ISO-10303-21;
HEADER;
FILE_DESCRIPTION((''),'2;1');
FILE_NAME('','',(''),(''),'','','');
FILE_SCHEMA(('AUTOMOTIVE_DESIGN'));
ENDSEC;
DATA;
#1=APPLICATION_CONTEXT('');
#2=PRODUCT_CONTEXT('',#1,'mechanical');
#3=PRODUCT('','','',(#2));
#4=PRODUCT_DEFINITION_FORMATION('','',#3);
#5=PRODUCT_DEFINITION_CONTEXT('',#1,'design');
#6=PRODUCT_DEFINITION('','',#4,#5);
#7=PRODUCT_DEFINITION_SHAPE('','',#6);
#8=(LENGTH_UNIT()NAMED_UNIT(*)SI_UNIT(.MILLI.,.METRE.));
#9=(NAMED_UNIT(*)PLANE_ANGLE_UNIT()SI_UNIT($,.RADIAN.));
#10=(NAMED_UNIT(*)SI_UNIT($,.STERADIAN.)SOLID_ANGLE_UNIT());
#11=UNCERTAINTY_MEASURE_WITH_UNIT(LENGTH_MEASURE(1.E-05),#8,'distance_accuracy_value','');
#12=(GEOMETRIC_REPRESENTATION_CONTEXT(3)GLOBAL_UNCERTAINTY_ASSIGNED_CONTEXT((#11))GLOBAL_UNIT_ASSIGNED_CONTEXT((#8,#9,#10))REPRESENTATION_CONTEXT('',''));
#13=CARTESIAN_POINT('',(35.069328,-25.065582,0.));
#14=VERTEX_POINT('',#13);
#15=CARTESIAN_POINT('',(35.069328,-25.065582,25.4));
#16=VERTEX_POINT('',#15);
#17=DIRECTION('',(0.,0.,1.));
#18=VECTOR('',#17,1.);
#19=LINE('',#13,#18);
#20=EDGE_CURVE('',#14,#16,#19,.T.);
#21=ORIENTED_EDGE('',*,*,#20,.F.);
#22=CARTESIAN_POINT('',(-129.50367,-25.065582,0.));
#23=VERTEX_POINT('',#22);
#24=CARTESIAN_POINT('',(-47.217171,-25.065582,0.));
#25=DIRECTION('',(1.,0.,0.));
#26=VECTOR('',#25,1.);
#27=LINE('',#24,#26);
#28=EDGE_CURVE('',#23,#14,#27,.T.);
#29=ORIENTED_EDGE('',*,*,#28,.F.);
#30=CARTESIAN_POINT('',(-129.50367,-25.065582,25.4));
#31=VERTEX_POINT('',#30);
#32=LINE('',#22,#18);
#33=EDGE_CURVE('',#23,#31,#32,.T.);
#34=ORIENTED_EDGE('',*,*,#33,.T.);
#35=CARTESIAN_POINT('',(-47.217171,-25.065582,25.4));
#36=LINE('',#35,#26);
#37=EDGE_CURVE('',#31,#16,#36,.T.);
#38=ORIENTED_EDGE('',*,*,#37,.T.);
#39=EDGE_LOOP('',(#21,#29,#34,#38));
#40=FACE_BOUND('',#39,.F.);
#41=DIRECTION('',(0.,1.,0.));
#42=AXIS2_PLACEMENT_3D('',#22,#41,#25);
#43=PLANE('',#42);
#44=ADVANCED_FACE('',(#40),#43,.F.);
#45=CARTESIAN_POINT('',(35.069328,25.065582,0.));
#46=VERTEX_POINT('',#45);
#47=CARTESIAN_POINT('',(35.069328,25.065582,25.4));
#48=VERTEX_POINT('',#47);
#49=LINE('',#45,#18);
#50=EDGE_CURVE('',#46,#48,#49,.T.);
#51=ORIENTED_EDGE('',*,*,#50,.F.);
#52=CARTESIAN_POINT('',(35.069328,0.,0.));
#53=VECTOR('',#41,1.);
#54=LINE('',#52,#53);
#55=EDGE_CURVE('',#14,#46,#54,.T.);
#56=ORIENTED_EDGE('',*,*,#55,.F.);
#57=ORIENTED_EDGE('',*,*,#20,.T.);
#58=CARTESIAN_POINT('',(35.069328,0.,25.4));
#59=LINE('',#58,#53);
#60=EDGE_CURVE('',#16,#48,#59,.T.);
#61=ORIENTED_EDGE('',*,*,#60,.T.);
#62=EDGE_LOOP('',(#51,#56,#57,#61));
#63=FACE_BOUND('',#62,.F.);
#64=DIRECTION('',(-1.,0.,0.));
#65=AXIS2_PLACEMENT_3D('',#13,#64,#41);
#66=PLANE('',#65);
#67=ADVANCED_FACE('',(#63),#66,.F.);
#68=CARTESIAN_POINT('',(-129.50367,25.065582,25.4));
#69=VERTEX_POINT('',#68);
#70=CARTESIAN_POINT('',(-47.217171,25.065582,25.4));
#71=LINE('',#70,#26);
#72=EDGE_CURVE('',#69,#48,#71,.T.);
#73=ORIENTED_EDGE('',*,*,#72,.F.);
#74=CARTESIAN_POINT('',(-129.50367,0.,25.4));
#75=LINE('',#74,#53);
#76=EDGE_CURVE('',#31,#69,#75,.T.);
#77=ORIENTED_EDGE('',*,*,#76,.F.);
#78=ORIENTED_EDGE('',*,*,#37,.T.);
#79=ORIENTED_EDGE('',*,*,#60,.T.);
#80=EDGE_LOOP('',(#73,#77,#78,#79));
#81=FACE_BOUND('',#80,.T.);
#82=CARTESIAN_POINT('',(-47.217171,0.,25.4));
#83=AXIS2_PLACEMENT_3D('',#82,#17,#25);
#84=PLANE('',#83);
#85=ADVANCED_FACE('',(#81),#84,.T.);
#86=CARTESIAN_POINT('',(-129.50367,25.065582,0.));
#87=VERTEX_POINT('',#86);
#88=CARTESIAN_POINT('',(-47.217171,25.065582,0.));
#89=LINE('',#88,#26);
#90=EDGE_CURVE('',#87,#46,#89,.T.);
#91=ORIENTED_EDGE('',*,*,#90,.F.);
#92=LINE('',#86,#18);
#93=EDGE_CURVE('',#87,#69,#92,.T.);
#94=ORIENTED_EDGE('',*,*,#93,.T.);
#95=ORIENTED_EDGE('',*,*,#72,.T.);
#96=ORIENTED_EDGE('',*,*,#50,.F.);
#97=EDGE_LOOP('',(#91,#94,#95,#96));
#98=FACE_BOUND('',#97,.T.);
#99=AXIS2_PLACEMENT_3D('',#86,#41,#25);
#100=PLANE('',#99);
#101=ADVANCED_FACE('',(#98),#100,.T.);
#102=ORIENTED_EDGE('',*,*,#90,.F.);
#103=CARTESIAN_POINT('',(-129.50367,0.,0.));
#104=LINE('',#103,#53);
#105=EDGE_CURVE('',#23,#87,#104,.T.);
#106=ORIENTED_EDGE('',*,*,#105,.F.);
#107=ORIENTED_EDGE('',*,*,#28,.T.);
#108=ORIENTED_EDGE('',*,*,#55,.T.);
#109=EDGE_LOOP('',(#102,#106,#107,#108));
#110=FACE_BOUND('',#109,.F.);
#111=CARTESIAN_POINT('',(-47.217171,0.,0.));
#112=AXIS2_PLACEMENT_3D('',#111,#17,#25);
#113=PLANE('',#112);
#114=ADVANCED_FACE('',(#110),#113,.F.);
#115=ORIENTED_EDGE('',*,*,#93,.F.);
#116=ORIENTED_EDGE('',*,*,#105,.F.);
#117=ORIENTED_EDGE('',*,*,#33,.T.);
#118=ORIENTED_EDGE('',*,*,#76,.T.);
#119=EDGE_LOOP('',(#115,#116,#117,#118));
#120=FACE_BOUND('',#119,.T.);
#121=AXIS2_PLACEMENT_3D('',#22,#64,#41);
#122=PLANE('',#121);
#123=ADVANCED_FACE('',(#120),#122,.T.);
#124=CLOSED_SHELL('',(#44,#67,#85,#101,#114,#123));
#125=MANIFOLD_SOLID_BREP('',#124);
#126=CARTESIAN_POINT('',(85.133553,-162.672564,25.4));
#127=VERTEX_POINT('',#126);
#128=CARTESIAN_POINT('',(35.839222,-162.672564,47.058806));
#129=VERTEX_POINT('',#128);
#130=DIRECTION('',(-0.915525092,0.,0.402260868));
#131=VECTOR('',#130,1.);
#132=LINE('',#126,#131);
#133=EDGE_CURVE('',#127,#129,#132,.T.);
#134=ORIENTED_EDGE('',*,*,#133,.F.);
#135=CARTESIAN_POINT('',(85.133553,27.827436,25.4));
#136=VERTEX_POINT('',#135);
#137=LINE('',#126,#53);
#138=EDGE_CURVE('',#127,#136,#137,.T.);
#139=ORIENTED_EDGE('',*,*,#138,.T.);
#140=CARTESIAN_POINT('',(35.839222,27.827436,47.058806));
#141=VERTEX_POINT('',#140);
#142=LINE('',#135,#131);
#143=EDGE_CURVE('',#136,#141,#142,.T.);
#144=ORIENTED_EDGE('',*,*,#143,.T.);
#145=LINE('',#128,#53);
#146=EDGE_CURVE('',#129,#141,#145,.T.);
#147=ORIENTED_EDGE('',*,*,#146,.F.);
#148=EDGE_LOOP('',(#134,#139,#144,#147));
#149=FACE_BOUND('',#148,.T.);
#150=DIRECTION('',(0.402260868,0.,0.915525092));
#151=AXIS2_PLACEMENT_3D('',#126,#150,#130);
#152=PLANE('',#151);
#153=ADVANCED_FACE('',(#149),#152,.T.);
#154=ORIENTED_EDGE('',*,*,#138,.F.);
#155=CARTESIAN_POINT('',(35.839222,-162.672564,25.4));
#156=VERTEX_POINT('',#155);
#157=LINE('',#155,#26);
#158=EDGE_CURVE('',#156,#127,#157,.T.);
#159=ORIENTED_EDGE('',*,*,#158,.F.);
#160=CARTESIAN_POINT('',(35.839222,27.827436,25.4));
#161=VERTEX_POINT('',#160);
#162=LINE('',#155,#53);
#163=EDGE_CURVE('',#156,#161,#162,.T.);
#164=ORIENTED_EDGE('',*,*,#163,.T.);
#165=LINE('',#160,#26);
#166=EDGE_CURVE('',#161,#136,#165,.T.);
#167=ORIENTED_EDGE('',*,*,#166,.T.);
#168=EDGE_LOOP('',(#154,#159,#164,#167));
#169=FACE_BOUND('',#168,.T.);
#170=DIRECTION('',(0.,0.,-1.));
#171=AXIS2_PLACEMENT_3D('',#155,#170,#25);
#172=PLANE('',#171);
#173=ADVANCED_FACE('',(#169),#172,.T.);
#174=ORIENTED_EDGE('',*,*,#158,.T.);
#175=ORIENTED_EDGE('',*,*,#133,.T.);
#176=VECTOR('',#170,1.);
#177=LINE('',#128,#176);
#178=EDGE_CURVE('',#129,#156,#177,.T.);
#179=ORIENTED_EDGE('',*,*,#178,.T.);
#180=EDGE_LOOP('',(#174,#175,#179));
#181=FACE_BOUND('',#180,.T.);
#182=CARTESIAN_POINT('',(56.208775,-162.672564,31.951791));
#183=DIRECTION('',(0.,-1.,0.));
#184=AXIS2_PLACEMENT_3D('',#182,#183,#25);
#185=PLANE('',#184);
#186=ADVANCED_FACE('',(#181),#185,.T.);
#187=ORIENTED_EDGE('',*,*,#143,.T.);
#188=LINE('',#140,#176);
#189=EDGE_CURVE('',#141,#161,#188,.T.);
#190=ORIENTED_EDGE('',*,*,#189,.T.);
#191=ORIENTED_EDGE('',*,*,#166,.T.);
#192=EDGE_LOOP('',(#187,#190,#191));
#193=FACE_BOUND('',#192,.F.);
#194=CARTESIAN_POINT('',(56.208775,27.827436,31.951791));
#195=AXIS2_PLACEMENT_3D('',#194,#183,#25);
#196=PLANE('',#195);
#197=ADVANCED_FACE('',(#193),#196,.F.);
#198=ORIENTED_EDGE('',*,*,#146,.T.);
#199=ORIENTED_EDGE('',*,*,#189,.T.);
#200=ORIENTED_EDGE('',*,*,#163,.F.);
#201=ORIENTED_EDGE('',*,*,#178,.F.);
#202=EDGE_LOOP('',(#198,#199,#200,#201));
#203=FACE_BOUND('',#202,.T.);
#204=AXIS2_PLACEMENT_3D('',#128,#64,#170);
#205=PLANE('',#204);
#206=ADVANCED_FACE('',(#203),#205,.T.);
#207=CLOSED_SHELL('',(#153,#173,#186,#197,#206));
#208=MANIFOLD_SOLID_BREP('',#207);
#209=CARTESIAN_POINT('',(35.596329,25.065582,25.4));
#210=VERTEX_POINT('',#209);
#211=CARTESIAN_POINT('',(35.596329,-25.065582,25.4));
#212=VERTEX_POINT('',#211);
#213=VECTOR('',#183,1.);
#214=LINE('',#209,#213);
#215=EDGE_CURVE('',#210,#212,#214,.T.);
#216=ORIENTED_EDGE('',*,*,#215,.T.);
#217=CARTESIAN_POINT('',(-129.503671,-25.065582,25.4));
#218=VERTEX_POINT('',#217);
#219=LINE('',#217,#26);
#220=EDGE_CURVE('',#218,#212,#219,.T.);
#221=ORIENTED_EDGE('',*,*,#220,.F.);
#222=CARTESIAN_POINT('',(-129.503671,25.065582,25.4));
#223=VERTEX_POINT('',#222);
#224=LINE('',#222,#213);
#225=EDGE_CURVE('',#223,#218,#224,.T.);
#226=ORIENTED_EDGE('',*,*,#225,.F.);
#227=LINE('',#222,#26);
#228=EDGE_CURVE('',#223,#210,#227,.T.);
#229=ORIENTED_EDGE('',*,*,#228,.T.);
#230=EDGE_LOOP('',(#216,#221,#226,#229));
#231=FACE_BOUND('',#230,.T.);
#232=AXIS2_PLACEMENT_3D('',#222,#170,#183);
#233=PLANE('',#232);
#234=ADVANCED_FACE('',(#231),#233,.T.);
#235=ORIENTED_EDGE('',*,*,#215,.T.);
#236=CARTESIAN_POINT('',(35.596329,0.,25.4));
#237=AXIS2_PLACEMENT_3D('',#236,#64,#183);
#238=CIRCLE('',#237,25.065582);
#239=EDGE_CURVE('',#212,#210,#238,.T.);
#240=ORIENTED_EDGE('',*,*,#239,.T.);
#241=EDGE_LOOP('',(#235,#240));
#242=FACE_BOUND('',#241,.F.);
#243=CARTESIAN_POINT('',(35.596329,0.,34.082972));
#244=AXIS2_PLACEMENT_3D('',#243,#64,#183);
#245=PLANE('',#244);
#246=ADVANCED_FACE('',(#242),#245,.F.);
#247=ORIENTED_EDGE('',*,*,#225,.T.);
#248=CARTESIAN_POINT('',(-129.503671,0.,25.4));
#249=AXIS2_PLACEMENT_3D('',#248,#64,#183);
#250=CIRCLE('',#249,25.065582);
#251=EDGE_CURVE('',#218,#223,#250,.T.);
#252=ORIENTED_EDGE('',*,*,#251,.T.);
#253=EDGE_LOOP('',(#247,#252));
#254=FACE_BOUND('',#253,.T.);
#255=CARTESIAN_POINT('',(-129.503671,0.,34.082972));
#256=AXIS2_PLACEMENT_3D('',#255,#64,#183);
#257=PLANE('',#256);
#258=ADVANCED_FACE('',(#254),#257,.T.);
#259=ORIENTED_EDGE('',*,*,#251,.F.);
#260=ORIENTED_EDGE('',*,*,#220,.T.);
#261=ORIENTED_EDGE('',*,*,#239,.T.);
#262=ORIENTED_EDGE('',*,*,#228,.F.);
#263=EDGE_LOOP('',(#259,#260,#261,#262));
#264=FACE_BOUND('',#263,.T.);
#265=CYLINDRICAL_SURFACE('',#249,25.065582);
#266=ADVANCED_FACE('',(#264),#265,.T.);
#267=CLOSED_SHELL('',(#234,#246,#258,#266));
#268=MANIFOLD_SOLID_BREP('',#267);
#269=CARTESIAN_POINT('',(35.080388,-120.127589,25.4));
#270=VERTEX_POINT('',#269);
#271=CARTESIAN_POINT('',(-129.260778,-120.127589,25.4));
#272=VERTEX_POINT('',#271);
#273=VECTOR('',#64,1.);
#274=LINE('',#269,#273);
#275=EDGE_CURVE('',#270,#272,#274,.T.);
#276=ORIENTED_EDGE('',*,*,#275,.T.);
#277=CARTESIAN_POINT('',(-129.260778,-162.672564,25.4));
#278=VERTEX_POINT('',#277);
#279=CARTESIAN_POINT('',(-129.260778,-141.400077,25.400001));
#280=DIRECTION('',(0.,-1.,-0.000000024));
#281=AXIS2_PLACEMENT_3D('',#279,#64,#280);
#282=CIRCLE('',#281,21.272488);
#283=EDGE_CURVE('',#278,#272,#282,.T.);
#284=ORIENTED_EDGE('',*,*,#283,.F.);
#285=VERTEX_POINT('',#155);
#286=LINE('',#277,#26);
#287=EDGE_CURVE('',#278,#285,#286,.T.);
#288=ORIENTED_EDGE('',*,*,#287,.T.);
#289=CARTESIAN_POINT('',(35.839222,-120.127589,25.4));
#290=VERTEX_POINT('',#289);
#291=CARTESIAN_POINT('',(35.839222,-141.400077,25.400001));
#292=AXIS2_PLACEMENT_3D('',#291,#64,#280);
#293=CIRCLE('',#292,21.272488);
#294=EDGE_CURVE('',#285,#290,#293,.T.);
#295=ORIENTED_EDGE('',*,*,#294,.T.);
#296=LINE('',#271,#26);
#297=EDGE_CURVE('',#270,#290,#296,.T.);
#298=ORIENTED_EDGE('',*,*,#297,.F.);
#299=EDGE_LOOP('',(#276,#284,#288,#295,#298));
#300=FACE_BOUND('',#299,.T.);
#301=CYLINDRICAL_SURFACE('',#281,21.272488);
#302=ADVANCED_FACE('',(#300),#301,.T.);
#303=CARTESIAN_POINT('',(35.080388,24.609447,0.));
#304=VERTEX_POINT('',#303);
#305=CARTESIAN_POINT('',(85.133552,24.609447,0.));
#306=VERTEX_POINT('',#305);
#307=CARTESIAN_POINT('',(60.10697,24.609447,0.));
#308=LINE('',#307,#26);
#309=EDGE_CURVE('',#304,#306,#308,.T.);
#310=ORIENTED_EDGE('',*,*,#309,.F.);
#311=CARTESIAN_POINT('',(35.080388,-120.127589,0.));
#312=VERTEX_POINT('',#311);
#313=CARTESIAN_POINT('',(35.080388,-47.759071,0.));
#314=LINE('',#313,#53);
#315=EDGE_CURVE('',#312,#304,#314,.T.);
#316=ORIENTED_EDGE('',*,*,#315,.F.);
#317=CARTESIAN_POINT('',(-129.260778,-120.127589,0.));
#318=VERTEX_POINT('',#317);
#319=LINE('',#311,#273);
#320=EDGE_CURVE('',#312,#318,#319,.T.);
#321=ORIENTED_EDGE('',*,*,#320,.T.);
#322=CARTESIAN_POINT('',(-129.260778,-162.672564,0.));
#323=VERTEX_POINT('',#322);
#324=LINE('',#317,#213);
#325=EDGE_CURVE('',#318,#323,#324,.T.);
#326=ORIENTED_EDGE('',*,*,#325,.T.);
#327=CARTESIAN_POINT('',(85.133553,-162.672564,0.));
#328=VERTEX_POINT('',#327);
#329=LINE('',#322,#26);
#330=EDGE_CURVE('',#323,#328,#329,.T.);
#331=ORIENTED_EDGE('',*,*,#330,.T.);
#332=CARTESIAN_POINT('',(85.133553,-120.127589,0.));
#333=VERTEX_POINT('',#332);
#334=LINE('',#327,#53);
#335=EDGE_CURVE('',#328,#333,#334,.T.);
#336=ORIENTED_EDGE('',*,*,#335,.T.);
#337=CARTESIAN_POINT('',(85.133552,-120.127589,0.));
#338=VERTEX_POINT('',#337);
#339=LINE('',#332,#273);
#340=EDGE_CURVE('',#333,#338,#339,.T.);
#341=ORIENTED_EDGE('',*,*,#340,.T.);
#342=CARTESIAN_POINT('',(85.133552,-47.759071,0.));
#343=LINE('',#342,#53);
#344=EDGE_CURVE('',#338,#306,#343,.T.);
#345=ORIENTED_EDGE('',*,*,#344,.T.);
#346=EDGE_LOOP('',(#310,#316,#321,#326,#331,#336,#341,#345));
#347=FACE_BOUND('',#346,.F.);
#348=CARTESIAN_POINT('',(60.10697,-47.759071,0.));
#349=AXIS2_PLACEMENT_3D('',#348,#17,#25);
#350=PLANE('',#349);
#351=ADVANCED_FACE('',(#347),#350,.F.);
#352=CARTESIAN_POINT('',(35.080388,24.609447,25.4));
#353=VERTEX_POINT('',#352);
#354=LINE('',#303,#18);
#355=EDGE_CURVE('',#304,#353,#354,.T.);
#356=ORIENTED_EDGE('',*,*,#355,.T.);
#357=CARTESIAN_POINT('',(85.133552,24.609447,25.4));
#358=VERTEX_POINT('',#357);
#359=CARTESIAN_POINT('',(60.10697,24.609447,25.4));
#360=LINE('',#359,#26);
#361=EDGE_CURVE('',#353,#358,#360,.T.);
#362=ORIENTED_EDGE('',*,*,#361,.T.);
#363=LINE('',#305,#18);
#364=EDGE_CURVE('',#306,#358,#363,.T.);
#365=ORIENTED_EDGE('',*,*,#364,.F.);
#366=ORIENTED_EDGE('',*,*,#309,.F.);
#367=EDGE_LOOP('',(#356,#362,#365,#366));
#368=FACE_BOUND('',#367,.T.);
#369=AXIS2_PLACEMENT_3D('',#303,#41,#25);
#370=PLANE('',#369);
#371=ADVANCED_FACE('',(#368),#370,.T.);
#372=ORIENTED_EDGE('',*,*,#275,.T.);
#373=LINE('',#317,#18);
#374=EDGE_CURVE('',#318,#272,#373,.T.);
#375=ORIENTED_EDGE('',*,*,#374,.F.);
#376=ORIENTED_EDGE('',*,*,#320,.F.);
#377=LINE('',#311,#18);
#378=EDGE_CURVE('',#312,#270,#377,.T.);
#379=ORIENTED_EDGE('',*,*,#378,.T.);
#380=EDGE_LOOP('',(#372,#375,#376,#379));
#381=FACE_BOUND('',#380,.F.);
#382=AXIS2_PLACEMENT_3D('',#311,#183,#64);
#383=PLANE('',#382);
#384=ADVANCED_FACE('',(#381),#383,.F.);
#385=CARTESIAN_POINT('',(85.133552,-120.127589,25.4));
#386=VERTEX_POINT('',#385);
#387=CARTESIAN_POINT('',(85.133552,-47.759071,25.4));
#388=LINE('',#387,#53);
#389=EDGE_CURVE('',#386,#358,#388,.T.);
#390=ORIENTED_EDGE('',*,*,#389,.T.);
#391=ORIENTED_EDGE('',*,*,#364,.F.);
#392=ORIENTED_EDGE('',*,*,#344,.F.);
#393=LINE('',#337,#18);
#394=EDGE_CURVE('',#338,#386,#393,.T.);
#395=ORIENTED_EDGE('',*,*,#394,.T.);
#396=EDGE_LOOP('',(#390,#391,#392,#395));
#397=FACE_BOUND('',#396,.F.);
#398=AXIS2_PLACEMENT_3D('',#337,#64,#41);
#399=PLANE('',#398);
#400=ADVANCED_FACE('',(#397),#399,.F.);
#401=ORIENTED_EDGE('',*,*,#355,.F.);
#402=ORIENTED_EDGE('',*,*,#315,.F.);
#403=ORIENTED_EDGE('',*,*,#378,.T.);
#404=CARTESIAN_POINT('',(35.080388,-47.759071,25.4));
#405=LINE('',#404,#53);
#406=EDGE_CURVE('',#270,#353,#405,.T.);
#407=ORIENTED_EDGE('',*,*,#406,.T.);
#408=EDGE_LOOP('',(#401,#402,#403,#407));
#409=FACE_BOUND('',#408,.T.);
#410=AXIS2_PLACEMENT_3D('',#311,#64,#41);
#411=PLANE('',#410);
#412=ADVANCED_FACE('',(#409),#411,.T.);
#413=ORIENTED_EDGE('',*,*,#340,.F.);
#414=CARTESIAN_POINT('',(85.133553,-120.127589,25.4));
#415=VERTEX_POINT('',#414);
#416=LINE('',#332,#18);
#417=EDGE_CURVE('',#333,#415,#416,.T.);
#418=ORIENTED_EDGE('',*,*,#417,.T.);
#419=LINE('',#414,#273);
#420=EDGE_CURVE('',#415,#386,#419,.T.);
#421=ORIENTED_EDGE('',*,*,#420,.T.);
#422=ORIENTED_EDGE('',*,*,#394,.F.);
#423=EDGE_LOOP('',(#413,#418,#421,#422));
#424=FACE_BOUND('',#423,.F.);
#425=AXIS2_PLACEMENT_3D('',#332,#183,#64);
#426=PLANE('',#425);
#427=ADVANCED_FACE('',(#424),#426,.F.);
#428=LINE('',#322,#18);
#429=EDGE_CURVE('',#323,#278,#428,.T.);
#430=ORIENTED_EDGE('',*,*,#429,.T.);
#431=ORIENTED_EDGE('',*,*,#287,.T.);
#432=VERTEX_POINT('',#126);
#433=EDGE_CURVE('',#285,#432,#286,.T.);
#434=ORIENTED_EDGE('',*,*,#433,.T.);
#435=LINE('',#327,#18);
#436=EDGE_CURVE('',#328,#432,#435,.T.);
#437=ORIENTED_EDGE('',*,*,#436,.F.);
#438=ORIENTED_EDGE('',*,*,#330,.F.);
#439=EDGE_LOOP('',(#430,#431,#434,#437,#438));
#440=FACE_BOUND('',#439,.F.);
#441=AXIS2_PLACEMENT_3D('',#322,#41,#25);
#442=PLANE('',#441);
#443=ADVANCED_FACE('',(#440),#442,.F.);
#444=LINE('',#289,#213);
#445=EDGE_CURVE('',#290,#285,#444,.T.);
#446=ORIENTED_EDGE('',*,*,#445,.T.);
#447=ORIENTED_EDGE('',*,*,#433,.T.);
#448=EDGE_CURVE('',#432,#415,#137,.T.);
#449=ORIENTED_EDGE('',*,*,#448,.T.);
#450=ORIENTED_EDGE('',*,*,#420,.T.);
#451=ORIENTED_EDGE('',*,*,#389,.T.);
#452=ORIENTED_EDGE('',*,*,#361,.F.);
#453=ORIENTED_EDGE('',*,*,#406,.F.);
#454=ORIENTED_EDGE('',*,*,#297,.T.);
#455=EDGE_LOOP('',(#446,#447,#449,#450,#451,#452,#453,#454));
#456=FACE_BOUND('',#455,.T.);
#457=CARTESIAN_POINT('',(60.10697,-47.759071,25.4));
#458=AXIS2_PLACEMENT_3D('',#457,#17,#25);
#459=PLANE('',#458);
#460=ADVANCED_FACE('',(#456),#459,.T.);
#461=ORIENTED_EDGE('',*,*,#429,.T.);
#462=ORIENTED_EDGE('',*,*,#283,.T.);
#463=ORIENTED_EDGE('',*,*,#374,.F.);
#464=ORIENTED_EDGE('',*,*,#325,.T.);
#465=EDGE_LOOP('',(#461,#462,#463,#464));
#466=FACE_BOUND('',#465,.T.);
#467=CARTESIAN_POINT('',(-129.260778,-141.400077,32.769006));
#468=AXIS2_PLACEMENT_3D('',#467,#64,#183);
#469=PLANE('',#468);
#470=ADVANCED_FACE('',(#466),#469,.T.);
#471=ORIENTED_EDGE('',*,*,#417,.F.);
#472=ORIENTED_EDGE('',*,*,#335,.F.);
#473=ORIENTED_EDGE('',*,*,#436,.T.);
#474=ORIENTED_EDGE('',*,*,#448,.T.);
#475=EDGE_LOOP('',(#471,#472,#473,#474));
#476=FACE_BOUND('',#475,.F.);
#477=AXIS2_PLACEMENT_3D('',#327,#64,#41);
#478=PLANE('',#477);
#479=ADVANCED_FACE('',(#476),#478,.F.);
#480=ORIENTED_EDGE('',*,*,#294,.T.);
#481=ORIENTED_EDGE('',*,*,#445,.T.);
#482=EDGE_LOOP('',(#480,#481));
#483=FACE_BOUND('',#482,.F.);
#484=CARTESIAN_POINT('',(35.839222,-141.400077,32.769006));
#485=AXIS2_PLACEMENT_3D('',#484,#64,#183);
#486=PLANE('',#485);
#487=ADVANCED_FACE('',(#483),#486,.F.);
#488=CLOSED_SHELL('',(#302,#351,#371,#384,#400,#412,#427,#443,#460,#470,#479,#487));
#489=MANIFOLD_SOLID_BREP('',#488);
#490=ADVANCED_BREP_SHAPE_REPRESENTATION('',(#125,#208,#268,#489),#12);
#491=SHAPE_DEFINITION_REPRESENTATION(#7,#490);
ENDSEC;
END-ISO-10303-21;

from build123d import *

# Parameters (mm, degrees)
F0_W     = 164.572999
F0_H     = 50.131164
F1_DEPTH = 25.4
F2_W     = 50.053165
F2_H     = 144.737036
F3_DEPTH = 25.4
F5_DEPTH = 165.1
F7_DEPTH = 190.5
F9_DEPTH = 165.1


with BuildPart() as f1:
    # F0 (on Top) → F1 (new body)
    with BuildSketch(Plane.XY):
        with Locations((-47.217171, 0)):
            Rectangle(F0_W, F0_H)
    extrude(amount=F1_DEPTH)


with BuildPart() as f3:
    # F2 (on Top) → F3 (new body)
    with BuildSketch(Plane.XY):
        with Locations((60.10697, -47.759071)):
            Rectangle(F2_W, F2_H)
        Polygon((85.133553, -120.127589), (35.080388, -120.127589), (-129.260778, -120.127589), (-129.260778, -162.672564), (85.133553, -162.672564), align=None)
    extrude(amount=F3_DEPTH)

    # F4 (on face) → F5 (join)
    with BuildSketch(Plane(origin=(-129.260778, 0, 0), x_dir=(0, -1, 0), z_dir=(-1, 0, 0))):
        with BuildLine():
            Line((120.127589, 25.4), (162.672564, 25.4))
            ThreePointArc((162.672564, 25.4), (141.400076, 46.672488), (120.127589, 25.4))
        make_face()
    extrude(amount=-F5_DEPTH)


with BuildPart() as f7:
    # F6 (on face) → F7 (new body)
    with BuildSketch(Plane.XZ.offset(162.672564)):
        Polygon((35.839222, 47.058806), (35.839222, 25.4), (85.133553, 25.4), align=None)
    extrude(amount=-F7_DEPTH)


with BuildPart() as f9:
    # F8 (on face) → F9 (new body)
    with BuildSketch(Plane(origin=(-129.503671, 0, 0), x_dir=(0, -1, 0), z_dir=(-1, 0, 0))):
        with BuildLine():
            Line((-25.065582, 25.4), (25.065582, 25.4))
            ThreePointArc((25.065582, 25.4), (0, 50.465582), (-25.065582, 25.4))
        make_face()
    extrude(amount=-F9_DEPTH)


solid = Compound([f1.part, f3.part, f7.part, f9.part])
